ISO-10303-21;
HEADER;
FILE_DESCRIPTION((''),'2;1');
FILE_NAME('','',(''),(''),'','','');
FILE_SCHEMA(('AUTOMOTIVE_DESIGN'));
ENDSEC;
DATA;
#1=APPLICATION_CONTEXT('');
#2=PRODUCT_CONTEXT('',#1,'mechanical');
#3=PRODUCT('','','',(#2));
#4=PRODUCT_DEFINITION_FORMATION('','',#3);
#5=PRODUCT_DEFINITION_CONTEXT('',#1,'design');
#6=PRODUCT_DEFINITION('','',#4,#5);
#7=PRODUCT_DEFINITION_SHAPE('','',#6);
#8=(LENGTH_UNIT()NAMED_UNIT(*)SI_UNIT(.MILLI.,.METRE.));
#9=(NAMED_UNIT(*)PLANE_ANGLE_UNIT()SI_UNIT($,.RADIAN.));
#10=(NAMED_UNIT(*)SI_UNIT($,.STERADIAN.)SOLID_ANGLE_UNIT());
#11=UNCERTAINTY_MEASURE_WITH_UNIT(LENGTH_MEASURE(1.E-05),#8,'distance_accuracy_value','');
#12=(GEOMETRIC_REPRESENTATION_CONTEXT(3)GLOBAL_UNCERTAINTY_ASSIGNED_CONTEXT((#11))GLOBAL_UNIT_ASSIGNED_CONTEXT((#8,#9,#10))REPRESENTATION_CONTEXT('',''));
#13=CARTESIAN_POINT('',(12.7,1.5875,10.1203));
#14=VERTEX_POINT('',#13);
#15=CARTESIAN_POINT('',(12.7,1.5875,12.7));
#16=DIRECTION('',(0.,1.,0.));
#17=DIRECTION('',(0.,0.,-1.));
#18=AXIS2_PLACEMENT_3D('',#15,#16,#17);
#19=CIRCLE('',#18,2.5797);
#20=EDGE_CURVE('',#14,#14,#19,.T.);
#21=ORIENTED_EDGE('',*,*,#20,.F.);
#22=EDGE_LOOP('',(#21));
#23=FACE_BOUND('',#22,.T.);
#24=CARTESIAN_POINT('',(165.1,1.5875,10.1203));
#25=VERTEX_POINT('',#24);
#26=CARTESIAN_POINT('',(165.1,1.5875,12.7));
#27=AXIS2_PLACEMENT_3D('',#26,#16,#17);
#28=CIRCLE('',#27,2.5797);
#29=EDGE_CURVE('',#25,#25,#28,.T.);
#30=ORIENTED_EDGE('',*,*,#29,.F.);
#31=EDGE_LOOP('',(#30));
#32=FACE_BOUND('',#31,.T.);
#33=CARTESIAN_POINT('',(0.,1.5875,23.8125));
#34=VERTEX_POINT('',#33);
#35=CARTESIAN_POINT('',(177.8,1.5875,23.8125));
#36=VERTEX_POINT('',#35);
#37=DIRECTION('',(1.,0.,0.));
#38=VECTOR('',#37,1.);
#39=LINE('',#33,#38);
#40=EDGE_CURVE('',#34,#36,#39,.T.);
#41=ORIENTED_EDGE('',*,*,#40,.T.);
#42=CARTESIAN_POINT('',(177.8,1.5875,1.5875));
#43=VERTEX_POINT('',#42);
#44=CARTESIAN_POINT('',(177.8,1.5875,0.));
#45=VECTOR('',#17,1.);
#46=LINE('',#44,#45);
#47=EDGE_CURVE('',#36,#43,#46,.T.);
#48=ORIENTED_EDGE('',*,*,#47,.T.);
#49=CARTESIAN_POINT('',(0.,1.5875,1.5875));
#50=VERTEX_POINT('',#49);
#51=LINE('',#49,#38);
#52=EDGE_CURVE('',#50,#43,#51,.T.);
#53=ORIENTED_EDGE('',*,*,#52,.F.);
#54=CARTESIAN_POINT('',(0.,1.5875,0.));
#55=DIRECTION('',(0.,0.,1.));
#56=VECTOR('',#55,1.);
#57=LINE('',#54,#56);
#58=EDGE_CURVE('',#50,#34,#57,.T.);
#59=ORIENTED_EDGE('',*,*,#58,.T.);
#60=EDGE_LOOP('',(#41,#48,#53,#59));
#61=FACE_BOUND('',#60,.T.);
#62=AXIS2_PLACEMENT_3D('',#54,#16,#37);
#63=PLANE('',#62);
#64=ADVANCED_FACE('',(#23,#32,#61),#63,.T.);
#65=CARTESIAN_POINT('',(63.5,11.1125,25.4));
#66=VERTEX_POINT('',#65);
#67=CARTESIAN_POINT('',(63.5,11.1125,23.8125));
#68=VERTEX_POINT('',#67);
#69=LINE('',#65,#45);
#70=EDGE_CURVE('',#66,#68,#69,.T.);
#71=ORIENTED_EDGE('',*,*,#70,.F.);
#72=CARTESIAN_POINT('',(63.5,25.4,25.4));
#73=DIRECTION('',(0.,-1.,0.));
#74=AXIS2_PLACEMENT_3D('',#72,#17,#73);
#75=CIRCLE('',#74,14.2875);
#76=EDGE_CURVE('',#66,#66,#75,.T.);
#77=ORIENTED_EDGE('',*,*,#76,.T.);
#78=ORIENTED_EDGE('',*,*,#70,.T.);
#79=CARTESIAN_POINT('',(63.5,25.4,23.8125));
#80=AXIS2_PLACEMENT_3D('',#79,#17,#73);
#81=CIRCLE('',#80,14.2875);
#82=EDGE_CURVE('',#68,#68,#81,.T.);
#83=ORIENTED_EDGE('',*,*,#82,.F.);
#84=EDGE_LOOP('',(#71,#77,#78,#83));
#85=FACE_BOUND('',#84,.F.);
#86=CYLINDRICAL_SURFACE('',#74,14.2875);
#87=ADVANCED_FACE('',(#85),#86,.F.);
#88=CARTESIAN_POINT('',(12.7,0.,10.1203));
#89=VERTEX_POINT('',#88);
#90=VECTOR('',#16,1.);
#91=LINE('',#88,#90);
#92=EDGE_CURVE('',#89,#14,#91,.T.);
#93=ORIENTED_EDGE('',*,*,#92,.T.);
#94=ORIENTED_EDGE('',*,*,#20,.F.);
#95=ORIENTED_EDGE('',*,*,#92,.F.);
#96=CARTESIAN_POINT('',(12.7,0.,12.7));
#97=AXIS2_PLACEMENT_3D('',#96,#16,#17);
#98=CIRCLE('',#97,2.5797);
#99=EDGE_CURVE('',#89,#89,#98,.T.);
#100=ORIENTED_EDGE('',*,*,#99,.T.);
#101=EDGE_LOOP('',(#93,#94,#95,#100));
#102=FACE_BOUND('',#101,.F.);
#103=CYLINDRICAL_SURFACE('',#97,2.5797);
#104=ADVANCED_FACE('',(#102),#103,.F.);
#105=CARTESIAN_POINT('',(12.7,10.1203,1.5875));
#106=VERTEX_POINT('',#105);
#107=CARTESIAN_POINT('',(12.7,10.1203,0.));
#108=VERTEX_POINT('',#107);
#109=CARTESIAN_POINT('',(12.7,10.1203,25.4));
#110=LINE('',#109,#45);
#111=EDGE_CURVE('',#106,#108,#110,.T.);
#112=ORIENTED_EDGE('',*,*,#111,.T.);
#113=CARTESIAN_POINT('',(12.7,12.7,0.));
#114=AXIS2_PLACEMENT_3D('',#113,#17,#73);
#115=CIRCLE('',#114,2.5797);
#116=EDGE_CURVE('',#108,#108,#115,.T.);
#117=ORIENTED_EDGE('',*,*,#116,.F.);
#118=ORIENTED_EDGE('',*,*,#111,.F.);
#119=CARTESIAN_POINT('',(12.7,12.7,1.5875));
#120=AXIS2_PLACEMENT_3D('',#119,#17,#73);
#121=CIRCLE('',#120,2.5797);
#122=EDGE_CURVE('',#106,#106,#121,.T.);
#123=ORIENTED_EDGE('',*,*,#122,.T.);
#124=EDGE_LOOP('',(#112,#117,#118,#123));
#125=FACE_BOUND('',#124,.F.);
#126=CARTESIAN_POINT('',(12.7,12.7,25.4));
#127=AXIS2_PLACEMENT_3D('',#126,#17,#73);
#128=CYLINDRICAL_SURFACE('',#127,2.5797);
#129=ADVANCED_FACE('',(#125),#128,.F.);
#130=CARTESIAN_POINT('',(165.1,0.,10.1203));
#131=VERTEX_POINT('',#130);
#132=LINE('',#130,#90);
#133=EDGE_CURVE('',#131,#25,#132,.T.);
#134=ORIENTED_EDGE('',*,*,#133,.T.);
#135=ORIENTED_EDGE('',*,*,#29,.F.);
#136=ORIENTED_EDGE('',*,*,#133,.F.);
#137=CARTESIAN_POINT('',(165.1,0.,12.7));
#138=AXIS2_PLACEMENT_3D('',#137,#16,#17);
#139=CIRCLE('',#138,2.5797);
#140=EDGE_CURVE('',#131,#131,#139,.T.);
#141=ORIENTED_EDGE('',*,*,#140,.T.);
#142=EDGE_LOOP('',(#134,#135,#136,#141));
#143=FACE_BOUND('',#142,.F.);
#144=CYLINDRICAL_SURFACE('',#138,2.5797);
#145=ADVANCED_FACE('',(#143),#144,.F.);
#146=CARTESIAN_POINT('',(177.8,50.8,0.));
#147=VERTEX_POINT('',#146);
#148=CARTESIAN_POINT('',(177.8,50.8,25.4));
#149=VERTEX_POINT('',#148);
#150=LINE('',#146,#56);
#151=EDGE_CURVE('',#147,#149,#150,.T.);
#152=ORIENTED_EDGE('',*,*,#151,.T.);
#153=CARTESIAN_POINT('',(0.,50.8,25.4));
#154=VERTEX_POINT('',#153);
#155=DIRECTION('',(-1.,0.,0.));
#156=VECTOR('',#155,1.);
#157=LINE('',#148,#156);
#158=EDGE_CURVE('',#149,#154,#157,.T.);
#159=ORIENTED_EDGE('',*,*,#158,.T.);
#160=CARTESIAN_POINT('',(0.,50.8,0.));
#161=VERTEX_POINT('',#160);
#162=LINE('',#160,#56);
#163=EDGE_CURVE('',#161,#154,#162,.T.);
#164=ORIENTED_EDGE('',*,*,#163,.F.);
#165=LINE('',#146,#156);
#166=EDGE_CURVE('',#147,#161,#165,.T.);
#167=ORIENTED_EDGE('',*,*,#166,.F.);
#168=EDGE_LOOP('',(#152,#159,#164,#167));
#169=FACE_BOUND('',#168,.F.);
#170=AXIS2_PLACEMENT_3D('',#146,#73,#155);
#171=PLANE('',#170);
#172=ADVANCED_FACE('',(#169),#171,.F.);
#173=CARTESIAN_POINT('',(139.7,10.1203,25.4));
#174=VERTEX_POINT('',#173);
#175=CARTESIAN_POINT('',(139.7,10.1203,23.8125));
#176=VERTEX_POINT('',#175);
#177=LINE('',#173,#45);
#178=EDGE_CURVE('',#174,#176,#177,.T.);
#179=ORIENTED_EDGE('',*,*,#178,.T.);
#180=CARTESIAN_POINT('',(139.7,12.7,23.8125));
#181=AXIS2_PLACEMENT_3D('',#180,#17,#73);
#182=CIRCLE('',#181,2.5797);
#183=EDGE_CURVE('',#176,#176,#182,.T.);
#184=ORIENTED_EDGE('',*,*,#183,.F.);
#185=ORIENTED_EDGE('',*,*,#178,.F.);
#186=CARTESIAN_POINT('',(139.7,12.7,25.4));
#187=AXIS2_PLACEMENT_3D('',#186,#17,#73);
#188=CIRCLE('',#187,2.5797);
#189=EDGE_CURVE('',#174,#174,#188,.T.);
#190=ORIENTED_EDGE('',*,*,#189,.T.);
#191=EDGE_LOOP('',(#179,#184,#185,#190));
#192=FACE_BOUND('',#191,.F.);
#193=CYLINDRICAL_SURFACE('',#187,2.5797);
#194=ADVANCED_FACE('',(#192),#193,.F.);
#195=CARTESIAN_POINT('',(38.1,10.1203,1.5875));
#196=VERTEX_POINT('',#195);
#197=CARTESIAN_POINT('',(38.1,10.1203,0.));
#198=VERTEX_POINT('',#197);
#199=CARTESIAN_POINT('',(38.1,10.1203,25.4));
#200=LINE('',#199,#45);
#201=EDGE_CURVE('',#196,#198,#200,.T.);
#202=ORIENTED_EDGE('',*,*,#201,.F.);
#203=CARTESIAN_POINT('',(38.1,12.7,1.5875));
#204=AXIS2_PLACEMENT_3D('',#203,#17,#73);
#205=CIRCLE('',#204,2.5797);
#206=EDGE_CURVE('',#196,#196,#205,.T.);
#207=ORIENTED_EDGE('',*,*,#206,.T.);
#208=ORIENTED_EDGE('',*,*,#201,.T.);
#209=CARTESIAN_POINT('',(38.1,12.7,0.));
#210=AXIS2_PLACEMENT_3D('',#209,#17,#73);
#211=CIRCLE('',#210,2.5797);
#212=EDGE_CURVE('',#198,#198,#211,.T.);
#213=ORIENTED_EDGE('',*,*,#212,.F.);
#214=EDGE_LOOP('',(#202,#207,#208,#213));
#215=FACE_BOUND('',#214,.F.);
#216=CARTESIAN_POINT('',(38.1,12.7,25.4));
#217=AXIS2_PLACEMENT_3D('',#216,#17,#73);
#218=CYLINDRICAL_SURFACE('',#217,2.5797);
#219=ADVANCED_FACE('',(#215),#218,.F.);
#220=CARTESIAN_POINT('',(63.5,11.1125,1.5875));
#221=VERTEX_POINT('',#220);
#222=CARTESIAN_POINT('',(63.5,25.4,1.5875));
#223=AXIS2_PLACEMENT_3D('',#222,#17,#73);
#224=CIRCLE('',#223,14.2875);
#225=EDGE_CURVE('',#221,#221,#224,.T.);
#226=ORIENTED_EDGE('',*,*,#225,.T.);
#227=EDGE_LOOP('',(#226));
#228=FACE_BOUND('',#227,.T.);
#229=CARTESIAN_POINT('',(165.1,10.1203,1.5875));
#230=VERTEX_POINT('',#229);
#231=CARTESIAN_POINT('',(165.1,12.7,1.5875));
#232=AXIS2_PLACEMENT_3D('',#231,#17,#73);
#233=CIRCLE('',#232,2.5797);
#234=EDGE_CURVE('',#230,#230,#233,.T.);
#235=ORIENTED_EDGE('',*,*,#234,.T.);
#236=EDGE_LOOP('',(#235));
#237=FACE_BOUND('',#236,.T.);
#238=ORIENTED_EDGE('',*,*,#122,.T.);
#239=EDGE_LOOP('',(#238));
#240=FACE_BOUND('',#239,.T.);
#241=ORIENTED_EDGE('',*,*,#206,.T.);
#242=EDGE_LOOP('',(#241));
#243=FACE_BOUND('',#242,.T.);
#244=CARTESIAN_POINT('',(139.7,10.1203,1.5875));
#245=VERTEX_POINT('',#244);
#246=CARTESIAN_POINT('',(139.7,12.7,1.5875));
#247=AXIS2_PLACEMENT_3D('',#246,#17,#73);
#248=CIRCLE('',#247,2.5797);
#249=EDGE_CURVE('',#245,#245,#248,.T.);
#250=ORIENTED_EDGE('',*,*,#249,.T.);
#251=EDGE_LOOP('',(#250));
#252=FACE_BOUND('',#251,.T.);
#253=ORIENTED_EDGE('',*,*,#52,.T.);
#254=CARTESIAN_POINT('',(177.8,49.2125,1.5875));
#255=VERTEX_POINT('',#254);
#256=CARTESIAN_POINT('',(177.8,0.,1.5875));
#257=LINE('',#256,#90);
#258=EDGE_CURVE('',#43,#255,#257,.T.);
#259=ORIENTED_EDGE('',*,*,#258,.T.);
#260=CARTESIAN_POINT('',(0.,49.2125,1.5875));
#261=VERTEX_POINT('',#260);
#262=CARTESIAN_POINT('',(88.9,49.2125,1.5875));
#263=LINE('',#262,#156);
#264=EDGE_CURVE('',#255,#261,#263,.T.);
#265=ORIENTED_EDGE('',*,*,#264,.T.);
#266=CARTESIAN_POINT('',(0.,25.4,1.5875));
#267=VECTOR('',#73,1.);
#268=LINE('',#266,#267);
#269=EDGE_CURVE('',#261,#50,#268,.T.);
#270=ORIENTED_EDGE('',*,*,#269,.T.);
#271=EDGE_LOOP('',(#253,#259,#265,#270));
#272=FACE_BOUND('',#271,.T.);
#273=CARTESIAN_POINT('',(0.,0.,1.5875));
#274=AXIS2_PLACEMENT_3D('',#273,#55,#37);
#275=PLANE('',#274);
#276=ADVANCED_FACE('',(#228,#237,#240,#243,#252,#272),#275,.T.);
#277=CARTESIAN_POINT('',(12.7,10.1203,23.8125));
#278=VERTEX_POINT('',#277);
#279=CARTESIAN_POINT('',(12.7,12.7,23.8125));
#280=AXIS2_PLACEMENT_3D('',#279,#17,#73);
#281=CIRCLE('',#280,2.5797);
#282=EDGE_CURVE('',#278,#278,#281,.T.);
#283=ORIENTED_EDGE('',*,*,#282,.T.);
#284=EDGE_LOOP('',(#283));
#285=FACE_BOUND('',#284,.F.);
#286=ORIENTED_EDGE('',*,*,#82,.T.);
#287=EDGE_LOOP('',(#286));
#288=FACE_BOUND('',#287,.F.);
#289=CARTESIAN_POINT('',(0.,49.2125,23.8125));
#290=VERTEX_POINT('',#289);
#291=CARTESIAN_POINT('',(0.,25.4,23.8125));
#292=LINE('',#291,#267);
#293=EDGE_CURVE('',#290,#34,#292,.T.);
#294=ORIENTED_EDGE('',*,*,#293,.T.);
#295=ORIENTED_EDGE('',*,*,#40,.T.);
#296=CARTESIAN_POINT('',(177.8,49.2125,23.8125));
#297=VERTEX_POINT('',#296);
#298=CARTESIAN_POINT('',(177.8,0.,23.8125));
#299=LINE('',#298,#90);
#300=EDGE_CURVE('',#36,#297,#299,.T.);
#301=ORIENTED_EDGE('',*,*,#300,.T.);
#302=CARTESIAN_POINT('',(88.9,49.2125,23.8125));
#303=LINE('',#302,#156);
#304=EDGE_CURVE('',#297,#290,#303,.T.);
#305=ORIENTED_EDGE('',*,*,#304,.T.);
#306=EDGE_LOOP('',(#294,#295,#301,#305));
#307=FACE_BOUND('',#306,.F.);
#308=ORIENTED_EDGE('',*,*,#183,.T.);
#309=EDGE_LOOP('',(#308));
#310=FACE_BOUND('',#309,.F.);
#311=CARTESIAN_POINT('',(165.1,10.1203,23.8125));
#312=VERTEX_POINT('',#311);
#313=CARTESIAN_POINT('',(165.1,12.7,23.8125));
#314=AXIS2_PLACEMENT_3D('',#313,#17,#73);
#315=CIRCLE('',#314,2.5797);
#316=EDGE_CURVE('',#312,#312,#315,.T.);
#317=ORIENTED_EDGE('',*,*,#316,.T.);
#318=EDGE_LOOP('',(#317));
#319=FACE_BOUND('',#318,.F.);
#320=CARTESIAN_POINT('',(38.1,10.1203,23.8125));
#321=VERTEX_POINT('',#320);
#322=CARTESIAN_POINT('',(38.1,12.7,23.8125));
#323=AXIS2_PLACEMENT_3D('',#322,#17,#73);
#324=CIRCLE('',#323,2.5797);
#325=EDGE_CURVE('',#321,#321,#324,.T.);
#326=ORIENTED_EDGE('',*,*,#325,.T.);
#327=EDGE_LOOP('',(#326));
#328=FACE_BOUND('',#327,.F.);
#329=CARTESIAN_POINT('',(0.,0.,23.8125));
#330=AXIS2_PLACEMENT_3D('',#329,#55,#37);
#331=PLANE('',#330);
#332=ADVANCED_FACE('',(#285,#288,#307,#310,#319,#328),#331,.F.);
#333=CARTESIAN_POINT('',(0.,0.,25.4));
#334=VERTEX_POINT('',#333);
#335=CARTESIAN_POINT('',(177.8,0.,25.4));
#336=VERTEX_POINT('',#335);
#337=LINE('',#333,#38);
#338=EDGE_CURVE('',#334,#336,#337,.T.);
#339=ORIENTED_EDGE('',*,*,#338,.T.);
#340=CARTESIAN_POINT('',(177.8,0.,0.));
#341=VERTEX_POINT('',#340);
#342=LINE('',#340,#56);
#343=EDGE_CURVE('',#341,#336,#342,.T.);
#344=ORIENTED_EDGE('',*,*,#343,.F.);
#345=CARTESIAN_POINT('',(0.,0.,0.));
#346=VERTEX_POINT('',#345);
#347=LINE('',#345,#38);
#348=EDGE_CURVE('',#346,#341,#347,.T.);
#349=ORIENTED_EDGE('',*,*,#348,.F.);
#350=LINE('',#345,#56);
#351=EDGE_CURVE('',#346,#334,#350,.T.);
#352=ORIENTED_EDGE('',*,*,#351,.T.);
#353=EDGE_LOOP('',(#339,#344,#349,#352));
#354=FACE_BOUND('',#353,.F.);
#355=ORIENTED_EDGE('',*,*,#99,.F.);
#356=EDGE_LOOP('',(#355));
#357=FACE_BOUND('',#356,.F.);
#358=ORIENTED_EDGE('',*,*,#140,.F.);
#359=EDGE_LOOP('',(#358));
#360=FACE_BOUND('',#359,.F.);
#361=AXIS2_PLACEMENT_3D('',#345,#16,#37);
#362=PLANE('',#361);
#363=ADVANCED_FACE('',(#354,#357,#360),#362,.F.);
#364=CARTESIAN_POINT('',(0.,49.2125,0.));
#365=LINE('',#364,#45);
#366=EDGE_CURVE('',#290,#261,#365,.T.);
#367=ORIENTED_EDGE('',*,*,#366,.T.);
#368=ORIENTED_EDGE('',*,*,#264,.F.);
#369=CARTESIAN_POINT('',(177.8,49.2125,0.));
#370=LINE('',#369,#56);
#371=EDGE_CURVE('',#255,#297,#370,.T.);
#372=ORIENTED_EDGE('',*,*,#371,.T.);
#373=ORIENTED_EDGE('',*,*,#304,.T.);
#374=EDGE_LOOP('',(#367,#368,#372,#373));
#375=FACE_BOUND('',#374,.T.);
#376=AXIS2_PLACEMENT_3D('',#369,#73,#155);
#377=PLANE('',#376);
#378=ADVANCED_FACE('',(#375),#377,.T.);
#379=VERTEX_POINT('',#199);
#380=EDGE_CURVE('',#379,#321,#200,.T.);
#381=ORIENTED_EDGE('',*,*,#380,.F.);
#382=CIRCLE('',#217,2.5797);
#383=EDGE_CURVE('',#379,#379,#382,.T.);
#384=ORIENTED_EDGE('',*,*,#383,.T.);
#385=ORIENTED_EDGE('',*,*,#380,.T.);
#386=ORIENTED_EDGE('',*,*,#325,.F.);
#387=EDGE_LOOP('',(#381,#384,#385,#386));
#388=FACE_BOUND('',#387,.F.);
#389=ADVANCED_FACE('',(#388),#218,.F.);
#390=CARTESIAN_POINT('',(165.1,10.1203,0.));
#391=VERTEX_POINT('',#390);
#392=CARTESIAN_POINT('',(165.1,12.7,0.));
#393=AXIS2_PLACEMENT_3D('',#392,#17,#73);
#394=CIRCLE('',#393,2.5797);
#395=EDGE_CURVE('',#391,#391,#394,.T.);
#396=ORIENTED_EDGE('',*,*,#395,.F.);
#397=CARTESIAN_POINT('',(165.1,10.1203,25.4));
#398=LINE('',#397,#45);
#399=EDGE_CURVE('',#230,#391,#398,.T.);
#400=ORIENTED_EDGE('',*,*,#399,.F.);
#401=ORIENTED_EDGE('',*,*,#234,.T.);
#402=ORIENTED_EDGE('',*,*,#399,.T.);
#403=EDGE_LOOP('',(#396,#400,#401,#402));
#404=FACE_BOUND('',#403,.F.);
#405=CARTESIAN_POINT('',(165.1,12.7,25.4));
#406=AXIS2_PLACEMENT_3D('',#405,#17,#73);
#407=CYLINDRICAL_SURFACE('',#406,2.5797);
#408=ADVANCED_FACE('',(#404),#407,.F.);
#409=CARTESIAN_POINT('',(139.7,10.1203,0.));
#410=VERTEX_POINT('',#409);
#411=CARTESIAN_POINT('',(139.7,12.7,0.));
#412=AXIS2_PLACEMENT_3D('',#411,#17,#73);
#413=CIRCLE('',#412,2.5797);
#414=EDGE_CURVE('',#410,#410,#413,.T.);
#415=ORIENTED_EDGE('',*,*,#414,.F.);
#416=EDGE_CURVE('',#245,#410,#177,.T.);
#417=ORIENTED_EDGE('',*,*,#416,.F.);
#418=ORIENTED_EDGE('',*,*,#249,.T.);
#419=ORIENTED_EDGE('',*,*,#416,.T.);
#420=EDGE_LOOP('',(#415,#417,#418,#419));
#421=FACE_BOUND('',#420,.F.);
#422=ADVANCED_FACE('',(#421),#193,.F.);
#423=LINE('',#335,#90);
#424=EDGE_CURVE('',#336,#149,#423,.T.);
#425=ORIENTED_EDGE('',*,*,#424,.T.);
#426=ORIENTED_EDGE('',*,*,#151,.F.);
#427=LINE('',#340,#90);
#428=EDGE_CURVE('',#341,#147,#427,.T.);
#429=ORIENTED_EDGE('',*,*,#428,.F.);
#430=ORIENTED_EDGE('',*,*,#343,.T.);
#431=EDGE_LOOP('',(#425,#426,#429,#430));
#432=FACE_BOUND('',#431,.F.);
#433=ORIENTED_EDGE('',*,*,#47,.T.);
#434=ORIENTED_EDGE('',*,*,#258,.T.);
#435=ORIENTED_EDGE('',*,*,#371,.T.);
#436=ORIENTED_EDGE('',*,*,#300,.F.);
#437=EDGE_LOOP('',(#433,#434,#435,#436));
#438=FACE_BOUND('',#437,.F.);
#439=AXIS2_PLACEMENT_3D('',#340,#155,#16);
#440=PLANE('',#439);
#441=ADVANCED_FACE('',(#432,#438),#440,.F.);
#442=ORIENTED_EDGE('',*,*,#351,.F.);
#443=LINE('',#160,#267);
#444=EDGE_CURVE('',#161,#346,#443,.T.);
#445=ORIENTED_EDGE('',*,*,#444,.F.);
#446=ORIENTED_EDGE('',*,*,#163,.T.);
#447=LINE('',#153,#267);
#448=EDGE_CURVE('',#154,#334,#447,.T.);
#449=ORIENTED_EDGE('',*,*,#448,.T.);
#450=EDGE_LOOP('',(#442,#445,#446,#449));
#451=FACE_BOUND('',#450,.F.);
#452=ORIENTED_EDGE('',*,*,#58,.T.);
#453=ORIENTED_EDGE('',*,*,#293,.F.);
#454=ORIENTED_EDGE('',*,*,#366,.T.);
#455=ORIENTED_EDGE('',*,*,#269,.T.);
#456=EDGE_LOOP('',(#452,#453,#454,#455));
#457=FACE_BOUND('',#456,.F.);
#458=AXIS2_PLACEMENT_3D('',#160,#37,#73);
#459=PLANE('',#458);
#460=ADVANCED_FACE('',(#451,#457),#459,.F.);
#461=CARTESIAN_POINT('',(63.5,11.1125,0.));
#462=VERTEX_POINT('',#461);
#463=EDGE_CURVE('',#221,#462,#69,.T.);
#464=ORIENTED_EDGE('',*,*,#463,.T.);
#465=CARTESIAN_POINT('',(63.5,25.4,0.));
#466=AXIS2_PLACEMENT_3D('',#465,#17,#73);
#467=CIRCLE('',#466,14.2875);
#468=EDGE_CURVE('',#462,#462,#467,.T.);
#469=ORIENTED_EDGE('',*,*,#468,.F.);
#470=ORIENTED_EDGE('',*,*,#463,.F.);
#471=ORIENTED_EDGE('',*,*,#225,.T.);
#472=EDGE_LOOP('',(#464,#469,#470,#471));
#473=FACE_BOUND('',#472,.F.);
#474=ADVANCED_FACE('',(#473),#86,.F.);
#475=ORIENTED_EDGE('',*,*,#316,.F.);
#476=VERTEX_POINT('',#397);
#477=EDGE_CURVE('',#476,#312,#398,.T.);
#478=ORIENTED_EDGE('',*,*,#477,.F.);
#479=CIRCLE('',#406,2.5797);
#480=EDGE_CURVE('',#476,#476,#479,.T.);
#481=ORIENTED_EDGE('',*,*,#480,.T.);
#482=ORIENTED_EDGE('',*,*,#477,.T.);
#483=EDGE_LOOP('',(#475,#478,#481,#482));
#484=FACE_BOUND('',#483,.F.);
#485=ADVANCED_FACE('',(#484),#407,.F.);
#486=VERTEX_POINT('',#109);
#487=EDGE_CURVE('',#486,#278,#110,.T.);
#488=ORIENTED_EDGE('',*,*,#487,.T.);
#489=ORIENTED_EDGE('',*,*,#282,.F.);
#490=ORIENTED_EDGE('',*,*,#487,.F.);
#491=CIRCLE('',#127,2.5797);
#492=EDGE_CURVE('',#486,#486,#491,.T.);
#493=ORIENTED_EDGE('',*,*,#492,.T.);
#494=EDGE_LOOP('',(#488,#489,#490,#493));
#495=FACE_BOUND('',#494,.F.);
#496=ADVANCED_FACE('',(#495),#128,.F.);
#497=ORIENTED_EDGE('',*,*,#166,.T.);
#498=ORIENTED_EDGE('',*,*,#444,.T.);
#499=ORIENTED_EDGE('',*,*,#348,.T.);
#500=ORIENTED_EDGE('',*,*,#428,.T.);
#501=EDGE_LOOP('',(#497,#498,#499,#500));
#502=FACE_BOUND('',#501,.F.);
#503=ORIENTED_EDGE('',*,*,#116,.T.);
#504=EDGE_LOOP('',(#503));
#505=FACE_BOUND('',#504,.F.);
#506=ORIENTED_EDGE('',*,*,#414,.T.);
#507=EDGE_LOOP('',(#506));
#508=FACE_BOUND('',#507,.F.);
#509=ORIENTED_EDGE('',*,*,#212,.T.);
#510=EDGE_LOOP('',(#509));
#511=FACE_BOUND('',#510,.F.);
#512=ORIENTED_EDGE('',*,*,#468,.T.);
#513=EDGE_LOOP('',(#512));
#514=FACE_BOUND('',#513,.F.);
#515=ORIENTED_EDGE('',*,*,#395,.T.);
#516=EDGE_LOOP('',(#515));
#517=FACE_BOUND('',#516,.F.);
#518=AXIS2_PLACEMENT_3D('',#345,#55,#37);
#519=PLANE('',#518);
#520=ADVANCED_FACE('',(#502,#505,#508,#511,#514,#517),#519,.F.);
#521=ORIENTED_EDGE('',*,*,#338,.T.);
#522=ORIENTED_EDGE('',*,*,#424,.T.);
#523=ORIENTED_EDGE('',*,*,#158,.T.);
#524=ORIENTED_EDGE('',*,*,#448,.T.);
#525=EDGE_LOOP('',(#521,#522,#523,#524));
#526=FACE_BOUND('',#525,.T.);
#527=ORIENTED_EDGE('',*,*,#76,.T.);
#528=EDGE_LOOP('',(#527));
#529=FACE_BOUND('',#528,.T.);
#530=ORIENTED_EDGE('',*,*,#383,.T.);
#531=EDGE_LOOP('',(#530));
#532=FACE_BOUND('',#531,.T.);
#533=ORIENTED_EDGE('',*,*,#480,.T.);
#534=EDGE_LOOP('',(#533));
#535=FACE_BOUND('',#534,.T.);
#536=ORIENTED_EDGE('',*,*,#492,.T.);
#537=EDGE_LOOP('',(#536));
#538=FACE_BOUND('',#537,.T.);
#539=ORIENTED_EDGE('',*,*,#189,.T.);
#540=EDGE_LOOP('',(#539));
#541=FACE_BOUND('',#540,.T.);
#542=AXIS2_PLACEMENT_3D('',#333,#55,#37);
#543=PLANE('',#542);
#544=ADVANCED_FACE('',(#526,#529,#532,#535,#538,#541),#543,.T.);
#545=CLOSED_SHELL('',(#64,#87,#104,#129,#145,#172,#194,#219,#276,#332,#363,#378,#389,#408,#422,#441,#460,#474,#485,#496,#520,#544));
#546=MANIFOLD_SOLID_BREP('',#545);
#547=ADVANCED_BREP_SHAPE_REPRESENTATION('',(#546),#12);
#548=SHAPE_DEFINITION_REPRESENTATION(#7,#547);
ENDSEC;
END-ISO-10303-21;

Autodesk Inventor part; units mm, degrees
ref_plane "YZ Plane" through (0, 0, 0) normal (1, 0, 0) x (0, 1, 0)
ref_plane "XZ Plane" through (0, 0, 0) normal (0, 1, 0) x (-1, 0, 0)
ref_plane "XY Plane" through (0, 0, 0) normal (0, 0, 1) x (1, 0, 0)
sketch "Sketch1" plane through (0, 0, 0) normal (0, 0, 1) x (1, 0, 0)
  line L0 (0, 0) -> (177.8, 0)
  line L1 (177.8, 0) -> (177.8, 50.8)
  line L2 (177.8, 50.8) -> (0, 50.8)
  line L3 (0, 50.8) -> (0, 0)
  dimension "d0" = 177.8
  dimension "d1" = 50.8
extrude "Extrusion1" add sketch "Sketch1" along normal blind 25.4
shell "Shell1" thickness 1.5875 removed faces 2 at (0, 33.8667, 16.9333) at (177.8, 16.9333, 16.9333)
sketch "Sketch2" plane through (0, 0, 25.4) normal (0, 0, 1) x (1, 0, 0)
  line L0 (0, 0) -> (63.5, 0) construction
  line L1 (63.5, 0) -> (63.5, 25.4) construction
  line L2 (63.5, 25.4) -> (0, 25.4) construction
  line L3 (0, 25.4) -> (0, 0) construction
  dimension "d5" = 63.5
  dimension "d13" = 25.4
hole "Hole1" at (63.5, 25.4, 25.4) direction (0, 0, -1) diameter 28.575 end through all
hole "Hole2" at (12.7, 12.7, 25.4) direction (0, 0, -1) diameter 5.1594 end through all
hole "Hole3" at (38.1, 12.7, 25.4) direction (0, 0, -1) diameter 5.1594 end through all
hole "Hole4" at (165.1, 12.7, 25.4) direction (0, 0, -1) diameter 5.1594 end through all
hole "Hole5" at (139.7, 12.7, 25.4) direction (0, 0, -1) diameter 5.1594 end through all
hole "Hole6" at (12.7, 0, 12.7) direction (0, 1, 0) diameter 5.1594 depth 1.5875 tip angle 118
hole "Hole7" at (165.1, 0, 12.7) direction (0, 1, 0) diameter 5.1594 depth 3.175 tip angle 118
properties part number "1x2 5 in Beam Flywheel Mount"
